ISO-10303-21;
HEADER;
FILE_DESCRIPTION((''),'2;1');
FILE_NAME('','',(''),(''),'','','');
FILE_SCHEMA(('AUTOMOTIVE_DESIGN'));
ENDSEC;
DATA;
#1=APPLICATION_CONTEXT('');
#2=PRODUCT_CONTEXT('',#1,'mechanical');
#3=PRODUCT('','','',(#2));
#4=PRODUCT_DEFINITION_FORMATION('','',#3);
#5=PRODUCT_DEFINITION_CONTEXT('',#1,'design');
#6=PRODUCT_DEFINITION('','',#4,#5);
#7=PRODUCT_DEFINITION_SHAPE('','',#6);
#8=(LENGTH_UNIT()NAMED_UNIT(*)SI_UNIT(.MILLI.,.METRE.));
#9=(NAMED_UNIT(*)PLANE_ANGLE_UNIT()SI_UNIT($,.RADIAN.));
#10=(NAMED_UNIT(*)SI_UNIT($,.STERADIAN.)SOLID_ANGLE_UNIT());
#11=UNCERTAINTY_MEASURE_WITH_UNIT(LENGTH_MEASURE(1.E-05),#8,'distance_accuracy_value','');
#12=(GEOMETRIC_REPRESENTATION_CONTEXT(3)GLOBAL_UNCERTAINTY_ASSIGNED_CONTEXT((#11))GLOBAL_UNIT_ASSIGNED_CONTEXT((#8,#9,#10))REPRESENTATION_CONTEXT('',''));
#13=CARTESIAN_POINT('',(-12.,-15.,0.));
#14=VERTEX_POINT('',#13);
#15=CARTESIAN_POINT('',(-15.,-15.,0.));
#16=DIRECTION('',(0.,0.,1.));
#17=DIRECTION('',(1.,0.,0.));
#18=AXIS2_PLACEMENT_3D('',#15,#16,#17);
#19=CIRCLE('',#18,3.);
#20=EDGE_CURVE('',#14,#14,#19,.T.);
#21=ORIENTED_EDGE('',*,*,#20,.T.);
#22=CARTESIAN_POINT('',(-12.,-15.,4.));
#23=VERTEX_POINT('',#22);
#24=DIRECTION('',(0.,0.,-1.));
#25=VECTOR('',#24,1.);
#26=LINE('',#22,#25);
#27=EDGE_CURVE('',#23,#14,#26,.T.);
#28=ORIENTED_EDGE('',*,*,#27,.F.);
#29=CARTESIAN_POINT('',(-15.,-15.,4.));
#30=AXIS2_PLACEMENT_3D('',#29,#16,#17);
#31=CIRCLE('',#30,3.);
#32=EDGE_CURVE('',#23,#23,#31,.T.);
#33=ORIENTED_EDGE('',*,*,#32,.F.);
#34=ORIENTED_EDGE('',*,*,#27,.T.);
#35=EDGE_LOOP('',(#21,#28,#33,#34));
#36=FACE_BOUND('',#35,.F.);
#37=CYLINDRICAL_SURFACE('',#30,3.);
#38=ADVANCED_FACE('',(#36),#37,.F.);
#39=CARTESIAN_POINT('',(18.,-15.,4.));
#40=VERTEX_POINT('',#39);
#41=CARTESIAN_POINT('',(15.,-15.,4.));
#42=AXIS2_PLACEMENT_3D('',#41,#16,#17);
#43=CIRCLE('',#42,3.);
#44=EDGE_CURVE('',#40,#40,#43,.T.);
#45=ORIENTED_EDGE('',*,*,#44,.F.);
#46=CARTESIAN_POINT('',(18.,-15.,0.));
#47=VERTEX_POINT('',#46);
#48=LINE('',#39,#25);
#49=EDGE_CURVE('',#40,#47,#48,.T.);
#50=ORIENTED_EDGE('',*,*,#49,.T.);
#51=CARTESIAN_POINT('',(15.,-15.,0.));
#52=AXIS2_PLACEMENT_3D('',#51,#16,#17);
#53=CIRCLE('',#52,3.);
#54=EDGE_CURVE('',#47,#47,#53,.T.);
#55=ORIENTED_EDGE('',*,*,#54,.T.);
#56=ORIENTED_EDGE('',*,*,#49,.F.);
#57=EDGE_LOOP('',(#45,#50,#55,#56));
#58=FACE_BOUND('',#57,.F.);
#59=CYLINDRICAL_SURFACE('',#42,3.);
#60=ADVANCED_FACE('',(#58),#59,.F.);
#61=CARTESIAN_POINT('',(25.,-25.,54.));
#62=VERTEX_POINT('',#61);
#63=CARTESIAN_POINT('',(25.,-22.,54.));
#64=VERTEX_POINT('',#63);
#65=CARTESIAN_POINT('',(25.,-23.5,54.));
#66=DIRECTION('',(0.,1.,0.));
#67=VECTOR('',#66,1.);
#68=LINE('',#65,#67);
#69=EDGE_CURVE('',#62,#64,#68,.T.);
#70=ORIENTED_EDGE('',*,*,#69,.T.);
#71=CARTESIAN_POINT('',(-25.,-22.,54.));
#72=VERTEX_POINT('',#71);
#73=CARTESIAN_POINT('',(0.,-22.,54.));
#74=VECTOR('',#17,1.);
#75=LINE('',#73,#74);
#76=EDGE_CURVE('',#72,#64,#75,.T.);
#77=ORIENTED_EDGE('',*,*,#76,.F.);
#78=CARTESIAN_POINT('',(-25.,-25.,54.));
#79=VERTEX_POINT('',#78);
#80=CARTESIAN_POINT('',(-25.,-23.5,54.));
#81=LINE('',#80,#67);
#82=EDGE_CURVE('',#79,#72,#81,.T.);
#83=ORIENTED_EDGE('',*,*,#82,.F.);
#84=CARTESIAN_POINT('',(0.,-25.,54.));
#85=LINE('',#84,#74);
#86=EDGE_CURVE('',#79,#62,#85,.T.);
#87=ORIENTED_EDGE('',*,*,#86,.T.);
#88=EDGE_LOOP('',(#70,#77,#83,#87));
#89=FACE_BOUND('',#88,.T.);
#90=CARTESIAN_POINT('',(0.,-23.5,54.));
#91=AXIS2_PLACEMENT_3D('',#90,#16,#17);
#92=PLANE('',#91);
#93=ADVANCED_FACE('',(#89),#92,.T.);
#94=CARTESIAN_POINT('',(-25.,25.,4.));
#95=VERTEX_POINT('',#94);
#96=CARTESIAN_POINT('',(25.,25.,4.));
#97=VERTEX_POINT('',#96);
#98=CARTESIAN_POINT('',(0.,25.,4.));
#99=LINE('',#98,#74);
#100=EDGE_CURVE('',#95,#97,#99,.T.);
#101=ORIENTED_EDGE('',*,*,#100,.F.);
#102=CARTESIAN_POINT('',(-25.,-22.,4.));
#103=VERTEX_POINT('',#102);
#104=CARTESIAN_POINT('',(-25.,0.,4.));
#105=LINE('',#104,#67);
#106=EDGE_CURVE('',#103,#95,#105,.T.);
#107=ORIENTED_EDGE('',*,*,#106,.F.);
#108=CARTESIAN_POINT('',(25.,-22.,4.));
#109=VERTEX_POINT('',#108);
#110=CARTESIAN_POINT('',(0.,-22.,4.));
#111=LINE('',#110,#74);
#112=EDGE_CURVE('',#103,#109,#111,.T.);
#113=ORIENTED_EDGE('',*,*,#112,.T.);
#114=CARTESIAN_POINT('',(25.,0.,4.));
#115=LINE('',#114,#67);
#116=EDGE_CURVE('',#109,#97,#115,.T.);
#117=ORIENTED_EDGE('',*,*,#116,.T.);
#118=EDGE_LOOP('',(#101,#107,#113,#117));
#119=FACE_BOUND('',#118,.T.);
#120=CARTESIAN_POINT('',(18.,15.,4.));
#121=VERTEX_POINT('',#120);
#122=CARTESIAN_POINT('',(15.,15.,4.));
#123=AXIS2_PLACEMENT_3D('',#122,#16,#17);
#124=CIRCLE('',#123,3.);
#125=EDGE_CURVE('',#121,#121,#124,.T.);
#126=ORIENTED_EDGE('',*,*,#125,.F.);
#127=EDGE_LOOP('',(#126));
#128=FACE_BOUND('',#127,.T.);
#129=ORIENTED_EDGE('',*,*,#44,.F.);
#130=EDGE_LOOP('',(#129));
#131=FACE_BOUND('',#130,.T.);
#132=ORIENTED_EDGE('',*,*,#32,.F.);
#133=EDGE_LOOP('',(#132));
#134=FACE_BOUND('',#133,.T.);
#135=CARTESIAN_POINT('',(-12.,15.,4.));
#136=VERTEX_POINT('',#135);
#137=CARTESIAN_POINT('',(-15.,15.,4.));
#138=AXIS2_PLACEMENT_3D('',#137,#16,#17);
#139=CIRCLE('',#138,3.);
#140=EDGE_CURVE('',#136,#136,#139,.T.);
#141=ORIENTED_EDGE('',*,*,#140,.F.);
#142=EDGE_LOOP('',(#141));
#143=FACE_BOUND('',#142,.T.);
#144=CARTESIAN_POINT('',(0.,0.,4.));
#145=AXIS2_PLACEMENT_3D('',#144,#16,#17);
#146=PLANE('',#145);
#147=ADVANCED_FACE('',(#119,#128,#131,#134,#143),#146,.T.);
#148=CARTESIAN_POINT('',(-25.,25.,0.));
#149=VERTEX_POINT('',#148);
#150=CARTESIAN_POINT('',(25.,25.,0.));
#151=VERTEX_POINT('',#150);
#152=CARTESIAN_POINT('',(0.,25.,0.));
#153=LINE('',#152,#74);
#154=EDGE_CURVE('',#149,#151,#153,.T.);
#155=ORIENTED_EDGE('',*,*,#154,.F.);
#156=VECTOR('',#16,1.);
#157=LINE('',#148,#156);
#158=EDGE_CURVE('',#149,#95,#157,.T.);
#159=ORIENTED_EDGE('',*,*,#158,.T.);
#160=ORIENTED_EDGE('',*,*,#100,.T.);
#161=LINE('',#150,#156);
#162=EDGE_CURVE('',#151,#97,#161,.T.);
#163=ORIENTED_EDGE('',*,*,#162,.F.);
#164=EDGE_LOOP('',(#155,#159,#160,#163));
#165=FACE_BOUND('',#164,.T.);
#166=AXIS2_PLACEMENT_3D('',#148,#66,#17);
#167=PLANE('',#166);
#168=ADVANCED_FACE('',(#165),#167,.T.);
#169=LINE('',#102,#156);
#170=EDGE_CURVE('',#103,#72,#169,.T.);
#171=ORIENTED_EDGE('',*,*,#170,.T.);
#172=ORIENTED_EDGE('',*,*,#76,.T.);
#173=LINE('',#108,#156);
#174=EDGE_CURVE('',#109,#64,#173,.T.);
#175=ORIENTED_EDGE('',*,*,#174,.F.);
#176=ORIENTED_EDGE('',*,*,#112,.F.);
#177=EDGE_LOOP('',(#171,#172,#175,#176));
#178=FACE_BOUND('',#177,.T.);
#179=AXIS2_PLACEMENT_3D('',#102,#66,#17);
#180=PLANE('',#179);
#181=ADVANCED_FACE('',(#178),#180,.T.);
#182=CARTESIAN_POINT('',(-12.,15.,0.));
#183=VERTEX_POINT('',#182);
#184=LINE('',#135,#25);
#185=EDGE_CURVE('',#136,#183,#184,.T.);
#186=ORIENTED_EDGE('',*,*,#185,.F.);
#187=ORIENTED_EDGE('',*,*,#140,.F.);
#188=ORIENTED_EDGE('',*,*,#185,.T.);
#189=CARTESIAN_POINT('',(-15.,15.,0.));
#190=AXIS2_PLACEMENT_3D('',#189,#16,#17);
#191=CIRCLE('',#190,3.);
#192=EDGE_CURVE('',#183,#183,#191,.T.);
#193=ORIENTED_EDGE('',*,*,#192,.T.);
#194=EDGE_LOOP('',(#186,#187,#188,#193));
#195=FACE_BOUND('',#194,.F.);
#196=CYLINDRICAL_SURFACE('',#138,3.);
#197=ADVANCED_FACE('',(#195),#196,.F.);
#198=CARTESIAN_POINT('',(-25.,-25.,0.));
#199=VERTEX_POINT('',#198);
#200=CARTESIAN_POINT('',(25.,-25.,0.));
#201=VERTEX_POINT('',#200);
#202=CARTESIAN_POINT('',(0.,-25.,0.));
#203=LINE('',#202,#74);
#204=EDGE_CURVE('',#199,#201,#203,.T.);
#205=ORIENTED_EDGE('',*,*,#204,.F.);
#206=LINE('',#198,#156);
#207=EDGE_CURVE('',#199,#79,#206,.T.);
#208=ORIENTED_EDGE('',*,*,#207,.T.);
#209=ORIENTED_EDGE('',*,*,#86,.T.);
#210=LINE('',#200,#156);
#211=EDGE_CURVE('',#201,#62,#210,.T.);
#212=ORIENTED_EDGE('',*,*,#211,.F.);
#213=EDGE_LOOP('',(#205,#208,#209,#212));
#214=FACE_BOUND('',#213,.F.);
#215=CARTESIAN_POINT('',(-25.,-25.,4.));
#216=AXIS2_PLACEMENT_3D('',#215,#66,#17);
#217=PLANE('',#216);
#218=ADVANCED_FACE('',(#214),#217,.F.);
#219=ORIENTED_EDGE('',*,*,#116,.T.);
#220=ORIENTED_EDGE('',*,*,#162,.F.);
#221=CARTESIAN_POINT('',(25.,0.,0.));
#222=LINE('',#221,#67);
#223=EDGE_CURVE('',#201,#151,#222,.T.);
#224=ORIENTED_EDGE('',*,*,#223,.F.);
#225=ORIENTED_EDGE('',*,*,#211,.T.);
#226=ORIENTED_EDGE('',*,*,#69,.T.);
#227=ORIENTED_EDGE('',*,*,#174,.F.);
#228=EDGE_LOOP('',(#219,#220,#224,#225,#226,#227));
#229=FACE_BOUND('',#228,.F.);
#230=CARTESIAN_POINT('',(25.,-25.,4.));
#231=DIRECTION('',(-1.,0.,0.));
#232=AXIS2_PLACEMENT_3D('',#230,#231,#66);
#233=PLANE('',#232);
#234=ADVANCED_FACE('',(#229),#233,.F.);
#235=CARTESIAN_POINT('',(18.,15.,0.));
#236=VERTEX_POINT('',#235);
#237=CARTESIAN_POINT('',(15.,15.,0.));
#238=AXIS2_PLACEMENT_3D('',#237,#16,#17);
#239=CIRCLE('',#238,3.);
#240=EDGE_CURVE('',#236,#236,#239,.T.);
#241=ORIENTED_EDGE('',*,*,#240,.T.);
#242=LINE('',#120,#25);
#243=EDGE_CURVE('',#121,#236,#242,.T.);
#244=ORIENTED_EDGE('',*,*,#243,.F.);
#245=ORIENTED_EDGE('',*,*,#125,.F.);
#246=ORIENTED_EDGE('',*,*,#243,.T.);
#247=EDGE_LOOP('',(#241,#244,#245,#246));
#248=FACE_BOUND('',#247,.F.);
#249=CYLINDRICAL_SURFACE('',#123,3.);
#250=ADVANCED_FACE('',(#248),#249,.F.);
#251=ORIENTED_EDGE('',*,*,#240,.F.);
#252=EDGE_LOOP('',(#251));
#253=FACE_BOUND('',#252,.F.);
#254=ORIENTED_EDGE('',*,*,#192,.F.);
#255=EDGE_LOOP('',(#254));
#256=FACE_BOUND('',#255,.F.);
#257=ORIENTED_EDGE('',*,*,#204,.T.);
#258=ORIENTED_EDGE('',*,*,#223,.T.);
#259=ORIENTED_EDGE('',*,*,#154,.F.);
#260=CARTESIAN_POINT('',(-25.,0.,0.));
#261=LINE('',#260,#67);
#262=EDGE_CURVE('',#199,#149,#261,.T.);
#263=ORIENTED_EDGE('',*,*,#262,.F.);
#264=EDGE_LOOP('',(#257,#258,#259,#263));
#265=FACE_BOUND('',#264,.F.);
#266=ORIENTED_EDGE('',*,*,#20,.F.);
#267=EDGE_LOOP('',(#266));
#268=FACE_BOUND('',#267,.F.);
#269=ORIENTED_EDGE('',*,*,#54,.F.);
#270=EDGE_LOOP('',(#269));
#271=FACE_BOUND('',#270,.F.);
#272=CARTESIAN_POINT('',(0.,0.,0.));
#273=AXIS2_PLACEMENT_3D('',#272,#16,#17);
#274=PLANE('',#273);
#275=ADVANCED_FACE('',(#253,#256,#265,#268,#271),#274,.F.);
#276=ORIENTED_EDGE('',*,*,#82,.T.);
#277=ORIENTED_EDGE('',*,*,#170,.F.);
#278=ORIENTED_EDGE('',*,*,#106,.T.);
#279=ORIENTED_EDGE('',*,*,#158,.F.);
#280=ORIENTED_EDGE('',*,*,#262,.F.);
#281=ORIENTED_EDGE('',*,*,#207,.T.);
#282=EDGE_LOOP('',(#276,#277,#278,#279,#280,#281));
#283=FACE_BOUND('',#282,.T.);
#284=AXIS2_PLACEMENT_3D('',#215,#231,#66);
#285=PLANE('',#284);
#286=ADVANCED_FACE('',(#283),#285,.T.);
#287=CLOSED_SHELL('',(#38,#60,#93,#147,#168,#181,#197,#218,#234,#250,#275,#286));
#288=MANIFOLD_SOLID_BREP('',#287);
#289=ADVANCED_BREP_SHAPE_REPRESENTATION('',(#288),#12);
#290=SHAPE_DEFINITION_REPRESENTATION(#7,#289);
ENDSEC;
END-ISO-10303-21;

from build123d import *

# Parameters (mm, degrees)
F0_W     = 50
F0_H     = 50
F1_DEPTH = 4
F2_W     = 50
F2_H     = 3
F3_DEPTH = 50
F4_R     = 3
F5_DEPTH = 25


with BuildPart() as f1:
    # F0 (on Top) → F1 (new body)
    with BuildSketch(Plane.XY):
        Rectangle(F0_W, F0_H)
    extrude(amount=F1_DEPTH)

    # F2 (on face) → F3 (join)
    with BuildSketch(Plane.XY.offset(4)):
        with Locations((0, -23.5)):
            Rectangle(F2_W, F2_H)
    extrude(amount=F3_DEPTH)

    # F4 (on face) → F5 (cut)
    with BuildSketch(Plane.XY.offset(4)):
        with Locations((-15, 15)):
            Circle(F4_R)
        with Locations((-15, -15)):
            Circle(F4_R)
        with Locations((15, -15)):
            Circle(F4_R)
        with Locations((15, 15)):
            Circle(F4_R)
    extrude(amount=-F5_DEPTH, mode=Mode.SUBTRACT)


solid = f1.part
